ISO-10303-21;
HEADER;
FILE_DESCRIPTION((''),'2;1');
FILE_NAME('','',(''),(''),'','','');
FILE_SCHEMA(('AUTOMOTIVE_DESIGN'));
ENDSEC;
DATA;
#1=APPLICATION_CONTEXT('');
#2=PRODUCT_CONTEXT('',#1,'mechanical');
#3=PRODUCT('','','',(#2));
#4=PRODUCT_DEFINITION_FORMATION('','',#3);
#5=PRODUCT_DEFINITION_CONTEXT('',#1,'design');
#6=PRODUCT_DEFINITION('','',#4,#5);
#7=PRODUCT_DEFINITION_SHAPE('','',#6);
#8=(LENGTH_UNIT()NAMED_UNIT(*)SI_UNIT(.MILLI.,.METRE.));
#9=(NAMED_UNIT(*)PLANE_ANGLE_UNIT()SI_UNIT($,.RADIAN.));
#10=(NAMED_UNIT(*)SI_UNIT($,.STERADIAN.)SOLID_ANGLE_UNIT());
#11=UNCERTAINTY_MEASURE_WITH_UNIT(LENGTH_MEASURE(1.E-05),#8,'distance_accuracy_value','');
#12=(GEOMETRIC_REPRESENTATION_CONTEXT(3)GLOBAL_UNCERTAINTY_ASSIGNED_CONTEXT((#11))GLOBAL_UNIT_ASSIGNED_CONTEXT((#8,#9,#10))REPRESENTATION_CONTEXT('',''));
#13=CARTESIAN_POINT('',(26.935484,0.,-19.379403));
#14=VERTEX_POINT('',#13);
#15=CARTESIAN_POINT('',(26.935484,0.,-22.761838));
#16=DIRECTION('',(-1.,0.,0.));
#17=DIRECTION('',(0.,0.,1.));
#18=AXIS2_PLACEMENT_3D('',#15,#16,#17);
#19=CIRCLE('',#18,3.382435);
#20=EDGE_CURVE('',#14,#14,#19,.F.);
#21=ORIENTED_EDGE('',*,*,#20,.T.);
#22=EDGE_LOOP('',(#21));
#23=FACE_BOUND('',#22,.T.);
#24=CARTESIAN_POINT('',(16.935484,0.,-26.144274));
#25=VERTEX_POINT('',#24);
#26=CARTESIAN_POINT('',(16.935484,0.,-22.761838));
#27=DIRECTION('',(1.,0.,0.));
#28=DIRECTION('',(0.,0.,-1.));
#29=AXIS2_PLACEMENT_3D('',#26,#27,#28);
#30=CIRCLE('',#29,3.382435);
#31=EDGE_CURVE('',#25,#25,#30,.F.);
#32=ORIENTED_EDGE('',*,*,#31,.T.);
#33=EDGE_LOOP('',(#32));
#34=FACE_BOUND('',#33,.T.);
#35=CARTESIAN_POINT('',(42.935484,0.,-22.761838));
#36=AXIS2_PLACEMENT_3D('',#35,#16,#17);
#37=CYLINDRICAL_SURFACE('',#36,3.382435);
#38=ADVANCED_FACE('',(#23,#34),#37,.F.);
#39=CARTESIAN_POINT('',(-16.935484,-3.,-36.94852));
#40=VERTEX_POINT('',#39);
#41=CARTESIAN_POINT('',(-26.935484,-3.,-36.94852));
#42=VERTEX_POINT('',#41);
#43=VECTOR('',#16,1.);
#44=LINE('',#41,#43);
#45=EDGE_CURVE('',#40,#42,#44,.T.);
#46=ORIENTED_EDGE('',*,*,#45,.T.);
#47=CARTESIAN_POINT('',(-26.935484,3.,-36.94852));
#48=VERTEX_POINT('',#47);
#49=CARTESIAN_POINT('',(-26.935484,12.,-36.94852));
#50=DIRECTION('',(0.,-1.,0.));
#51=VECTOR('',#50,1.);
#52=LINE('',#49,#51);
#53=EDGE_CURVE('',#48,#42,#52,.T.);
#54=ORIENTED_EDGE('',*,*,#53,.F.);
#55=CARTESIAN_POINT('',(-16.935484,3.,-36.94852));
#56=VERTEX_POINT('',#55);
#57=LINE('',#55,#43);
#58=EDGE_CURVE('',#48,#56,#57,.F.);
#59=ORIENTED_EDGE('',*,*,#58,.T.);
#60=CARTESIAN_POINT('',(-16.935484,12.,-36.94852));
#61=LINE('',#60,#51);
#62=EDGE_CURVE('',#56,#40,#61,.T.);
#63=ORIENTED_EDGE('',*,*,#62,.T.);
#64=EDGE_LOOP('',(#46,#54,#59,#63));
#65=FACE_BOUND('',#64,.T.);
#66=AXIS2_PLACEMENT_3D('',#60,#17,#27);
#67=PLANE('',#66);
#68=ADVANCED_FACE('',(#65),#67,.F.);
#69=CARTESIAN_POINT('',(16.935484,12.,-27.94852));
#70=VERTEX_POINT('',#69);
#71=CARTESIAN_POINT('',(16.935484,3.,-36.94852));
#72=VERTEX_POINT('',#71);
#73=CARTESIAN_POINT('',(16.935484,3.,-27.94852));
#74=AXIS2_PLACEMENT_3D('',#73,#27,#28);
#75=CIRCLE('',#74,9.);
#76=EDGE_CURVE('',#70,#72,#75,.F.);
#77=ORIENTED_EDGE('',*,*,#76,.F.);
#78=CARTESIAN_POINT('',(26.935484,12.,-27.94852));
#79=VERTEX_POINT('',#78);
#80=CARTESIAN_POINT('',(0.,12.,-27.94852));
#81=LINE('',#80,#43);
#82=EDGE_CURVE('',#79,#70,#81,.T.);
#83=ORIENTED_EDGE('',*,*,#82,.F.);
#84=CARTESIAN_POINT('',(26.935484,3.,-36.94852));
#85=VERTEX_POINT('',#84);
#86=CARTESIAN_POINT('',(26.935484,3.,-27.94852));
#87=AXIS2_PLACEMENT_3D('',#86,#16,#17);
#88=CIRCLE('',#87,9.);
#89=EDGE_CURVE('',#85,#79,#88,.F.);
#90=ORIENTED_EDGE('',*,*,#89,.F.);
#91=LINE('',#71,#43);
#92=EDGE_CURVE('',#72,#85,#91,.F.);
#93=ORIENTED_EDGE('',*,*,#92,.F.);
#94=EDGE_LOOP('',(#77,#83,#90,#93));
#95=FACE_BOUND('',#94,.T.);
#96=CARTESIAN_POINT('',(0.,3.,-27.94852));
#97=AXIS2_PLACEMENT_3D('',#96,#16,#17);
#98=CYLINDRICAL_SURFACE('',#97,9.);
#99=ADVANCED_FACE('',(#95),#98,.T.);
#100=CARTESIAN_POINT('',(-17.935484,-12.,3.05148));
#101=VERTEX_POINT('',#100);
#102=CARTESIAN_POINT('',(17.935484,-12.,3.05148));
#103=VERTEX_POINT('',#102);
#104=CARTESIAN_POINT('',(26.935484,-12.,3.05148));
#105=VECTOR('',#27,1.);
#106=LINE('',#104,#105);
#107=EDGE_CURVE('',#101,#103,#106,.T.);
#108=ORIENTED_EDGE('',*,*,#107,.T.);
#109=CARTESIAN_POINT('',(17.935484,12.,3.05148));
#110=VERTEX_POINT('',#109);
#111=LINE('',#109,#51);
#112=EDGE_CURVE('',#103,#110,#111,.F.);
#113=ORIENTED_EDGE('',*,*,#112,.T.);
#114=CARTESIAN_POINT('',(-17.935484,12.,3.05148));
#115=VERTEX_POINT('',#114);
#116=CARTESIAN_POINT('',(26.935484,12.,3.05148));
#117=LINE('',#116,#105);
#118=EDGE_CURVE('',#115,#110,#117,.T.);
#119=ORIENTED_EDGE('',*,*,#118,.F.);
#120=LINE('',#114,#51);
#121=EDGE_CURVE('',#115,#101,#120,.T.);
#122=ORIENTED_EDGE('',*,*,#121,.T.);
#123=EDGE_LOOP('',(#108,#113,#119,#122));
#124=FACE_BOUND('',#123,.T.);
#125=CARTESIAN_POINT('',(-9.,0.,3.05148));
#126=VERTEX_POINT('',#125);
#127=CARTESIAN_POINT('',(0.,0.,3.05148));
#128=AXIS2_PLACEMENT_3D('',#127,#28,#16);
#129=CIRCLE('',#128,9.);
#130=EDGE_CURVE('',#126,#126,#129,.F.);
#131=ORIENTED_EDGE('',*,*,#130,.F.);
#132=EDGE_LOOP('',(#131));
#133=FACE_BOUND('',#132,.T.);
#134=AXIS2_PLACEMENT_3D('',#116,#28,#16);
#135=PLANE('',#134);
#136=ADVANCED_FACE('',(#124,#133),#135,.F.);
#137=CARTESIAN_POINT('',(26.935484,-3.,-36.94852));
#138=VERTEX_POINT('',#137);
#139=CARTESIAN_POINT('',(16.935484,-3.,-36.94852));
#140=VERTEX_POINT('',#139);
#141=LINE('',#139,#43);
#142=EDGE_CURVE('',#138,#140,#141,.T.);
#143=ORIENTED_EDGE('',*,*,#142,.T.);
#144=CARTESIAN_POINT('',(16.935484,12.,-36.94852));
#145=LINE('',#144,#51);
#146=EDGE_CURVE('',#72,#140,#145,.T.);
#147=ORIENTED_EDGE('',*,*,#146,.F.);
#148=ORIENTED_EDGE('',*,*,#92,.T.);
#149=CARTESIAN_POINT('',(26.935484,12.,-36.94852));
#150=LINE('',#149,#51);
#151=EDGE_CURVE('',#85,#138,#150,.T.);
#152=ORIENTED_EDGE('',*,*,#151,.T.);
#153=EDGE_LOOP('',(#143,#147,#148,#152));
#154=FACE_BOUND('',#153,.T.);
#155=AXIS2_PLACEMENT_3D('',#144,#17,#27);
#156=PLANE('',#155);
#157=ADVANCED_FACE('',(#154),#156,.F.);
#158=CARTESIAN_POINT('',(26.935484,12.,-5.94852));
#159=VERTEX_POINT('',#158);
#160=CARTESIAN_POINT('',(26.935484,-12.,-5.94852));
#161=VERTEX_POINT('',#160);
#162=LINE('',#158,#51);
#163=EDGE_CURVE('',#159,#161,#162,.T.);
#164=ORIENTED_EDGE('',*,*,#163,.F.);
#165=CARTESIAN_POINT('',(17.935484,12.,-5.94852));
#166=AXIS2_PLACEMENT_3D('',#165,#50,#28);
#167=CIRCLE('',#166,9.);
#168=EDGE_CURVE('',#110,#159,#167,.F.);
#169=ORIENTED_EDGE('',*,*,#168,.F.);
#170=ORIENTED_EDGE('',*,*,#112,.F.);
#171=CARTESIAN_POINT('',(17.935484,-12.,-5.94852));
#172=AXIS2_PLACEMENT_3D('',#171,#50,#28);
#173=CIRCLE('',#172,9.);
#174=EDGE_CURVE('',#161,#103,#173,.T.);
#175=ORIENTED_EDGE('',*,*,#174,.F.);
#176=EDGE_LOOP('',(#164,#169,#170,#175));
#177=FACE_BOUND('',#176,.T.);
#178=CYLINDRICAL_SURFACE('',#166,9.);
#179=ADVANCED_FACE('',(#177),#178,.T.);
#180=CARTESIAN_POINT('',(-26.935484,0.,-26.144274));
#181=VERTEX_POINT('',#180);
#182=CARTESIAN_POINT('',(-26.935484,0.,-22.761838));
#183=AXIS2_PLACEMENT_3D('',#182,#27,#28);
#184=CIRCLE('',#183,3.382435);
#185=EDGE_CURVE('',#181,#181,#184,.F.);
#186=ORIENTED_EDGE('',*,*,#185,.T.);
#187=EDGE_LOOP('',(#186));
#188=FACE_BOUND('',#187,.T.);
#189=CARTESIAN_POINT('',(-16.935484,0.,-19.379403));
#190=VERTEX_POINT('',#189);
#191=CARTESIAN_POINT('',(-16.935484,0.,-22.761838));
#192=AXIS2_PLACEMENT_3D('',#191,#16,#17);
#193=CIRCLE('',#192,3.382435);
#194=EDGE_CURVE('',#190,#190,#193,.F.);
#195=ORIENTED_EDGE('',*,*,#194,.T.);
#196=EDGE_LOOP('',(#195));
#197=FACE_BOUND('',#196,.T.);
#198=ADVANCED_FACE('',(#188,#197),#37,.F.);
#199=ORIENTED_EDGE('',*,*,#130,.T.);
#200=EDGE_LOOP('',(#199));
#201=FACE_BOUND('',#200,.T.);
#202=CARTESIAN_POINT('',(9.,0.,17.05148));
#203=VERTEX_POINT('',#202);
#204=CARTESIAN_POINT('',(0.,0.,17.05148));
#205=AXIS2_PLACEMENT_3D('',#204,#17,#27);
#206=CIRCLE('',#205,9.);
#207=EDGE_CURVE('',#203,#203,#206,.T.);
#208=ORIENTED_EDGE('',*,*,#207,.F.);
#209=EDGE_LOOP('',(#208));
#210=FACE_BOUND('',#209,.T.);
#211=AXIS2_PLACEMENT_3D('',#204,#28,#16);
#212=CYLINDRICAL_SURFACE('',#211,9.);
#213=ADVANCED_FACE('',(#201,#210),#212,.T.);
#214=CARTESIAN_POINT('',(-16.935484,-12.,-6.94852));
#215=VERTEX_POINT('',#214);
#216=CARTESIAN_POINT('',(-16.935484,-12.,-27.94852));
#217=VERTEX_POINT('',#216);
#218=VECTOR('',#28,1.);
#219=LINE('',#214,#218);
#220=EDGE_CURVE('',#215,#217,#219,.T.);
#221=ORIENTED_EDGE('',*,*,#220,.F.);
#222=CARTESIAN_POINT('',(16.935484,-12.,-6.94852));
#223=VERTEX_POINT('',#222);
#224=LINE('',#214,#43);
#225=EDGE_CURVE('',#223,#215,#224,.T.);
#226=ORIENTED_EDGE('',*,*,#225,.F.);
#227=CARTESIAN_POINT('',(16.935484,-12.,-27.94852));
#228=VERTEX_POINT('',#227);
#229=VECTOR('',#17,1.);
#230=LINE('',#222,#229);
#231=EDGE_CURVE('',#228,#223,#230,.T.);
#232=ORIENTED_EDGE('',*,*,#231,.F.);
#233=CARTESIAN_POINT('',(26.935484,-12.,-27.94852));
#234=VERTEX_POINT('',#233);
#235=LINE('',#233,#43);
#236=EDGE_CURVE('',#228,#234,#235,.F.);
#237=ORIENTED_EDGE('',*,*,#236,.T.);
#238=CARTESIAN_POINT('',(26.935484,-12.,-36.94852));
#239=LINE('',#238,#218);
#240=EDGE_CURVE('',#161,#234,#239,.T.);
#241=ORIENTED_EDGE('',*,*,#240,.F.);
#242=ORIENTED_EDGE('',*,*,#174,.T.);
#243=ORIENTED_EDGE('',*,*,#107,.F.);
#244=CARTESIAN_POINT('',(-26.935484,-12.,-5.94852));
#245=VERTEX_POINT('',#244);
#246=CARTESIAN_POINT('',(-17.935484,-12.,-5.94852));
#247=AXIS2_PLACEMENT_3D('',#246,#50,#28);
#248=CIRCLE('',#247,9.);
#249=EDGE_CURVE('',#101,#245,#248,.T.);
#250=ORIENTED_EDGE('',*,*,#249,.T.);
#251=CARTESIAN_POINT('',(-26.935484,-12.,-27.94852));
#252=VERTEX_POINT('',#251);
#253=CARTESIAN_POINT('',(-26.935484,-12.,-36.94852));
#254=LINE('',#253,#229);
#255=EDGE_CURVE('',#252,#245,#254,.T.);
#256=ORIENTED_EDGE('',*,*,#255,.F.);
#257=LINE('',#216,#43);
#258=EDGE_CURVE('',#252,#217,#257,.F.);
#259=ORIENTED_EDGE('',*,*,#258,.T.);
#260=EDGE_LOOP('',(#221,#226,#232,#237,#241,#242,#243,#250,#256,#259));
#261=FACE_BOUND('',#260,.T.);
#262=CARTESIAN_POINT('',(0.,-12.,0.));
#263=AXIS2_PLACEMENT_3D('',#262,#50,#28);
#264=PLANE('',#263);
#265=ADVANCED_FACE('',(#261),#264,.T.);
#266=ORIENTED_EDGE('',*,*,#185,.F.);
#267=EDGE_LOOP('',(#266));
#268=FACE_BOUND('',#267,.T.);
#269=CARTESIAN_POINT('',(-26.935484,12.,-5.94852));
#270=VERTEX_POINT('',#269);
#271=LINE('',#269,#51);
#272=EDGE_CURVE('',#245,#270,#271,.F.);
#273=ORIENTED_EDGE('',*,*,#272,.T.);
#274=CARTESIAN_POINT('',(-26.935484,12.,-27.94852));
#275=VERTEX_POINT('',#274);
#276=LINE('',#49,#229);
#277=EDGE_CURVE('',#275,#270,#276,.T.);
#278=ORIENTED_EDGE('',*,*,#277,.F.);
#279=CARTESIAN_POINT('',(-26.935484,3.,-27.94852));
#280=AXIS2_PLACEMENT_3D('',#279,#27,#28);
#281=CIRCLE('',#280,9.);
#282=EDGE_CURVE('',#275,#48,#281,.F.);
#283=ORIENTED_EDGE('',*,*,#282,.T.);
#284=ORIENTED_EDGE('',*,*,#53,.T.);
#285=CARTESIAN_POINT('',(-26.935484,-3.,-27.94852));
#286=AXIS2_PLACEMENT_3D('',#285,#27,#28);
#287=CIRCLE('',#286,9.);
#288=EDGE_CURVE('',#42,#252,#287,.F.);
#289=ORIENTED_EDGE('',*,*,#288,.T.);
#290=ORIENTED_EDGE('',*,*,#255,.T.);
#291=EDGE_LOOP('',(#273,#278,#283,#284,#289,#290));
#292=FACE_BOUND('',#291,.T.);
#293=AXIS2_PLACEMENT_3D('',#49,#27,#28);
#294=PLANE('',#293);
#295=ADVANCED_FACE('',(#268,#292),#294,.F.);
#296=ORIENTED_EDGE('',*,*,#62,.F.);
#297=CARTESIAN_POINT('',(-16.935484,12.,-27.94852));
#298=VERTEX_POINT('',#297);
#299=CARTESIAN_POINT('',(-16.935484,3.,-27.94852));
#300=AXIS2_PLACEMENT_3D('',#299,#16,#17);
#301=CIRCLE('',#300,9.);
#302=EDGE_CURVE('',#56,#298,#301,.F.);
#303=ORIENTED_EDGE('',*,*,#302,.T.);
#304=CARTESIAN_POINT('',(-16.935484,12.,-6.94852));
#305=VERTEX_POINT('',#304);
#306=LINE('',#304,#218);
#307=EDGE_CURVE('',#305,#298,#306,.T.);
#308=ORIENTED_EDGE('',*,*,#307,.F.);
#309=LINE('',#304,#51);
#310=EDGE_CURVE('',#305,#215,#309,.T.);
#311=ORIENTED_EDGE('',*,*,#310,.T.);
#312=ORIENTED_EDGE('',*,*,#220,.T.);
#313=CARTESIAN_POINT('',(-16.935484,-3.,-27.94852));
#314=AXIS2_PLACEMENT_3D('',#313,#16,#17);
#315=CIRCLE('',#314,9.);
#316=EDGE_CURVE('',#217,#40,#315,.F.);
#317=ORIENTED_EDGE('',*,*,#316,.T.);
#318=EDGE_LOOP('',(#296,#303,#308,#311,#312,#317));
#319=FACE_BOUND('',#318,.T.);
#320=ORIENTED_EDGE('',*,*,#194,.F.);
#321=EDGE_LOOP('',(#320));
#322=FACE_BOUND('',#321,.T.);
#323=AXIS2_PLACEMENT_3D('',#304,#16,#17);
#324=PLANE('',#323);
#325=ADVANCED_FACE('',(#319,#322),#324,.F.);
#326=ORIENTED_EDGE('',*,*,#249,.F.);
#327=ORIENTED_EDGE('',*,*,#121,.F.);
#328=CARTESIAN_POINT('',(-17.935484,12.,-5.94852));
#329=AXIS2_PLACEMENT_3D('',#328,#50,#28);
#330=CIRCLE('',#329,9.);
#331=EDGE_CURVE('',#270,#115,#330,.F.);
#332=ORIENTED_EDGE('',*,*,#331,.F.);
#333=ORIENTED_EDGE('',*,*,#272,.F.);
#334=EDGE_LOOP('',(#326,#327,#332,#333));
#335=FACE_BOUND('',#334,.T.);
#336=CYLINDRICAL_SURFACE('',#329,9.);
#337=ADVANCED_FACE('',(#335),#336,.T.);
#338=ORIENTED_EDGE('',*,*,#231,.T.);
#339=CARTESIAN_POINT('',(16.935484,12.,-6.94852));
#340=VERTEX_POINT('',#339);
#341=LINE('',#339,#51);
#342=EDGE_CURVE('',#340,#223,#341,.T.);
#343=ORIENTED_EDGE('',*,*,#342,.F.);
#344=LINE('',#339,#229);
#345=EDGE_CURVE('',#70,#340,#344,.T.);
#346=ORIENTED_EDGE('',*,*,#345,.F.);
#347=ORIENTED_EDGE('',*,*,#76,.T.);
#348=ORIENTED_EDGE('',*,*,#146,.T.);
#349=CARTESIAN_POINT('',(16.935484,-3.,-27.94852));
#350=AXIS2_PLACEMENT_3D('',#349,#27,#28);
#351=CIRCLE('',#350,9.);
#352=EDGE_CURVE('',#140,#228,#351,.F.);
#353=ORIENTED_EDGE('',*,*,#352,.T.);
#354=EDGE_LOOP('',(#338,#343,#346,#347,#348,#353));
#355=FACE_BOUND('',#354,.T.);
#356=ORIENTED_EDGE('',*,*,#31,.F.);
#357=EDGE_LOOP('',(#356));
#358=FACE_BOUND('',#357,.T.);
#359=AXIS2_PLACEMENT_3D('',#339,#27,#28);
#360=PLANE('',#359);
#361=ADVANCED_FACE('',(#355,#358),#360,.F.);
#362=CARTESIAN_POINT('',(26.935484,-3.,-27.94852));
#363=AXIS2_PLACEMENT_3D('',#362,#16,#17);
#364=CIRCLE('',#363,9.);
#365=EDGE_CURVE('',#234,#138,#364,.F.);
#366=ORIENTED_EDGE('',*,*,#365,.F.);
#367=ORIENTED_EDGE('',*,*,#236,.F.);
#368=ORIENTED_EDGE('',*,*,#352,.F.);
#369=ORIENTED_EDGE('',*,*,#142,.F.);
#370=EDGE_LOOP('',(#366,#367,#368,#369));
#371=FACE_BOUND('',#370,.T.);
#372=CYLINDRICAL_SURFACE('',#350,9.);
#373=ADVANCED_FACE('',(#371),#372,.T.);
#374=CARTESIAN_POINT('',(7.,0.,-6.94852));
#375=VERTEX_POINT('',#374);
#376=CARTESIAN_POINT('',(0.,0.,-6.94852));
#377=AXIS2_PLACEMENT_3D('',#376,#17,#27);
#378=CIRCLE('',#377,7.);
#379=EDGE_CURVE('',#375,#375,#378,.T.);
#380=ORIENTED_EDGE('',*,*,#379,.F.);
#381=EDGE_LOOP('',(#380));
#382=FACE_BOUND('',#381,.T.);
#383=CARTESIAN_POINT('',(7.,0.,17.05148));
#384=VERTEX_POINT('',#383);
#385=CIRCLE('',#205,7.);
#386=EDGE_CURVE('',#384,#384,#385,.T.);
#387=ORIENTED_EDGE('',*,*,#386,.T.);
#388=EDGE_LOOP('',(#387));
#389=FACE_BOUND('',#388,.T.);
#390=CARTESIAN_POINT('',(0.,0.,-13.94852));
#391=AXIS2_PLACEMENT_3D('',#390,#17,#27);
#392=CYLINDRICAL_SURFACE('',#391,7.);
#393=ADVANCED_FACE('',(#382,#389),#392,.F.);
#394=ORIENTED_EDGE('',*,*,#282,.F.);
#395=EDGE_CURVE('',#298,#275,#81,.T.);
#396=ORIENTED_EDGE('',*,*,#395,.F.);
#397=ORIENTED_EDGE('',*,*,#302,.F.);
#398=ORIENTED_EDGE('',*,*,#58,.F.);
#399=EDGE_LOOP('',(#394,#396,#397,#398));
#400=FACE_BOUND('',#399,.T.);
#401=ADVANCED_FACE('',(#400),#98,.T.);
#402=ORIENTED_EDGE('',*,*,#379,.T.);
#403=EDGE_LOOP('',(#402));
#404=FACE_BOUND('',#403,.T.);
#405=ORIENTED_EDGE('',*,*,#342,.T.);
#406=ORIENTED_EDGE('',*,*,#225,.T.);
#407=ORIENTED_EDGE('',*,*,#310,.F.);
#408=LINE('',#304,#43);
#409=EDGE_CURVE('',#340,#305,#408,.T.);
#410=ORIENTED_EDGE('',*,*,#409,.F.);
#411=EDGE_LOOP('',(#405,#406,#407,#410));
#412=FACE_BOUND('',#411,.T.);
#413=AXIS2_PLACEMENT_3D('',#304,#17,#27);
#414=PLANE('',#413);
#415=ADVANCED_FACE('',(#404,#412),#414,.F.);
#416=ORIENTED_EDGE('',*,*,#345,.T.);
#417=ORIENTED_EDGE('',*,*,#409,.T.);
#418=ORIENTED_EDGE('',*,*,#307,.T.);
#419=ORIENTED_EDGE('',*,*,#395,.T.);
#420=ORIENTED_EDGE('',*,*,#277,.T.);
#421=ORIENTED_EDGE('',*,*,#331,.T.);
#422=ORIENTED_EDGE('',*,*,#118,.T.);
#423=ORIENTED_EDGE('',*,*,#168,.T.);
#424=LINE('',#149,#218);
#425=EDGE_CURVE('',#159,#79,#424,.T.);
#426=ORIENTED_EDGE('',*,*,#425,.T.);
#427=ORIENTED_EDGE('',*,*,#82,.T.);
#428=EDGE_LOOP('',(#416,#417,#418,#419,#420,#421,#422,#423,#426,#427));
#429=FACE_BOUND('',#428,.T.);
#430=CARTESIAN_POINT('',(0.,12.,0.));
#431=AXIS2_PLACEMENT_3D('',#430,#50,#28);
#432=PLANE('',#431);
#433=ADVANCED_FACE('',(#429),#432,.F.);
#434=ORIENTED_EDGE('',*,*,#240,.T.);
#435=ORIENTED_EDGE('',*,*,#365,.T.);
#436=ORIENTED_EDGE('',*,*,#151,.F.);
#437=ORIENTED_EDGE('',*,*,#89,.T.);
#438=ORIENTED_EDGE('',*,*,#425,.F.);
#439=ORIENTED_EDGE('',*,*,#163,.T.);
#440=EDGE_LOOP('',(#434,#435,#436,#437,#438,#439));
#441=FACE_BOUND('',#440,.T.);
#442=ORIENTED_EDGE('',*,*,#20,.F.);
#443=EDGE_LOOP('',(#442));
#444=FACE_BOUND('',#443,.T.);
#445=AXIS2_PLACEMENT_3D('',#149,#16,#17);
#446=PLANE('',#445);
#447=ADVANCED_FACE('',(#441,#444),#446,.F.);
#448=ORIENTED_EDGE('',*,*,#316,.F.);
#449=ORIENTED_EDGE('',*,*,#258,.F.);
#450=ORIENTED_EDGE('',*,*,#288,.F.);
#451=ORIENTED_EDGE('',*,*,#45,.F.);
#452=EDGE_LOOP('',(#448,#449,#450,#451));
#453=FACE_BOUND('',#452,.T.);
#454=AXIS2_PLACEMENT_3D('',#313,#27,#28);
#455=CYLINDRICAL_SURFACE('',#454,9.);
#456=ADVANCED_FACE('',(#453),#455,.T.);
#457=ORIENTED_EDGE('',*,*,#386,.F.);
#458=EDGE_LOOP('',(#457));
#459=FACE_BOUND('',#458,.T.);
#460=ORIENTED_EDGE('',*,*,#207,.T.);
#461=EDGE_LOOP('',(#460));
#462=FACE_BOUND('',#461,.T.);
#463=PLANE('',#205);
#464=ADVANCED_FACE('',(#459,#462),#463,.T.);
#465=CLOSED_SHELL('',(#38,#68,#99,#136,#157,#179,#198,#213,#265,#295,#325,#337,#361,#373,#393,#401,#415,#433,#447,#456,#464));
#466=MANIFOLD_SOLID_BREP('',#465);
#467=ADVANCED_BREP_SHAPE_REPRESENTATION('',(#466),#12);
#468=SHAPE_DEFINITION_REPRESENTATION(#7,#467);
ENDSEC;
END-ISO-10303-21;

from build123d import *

# Parameters (mm, degrees)
BOSS_EXTRUDE1_DEPTH     = 12
SKETCH2_R               = 7
CUT_EXTRUDE1_DEPTH      = 17
BOSS_EXTRUDE2_START     = 14
SKETCH2_3_R             = 9
SKETCH2_3_R_2           = 7
BOSS_EXTRUDE2_DEPTH     = 14
CUT_EXTRUDE2_DEPTH      = 16
CUT_EXTRUDE2_DEPTH_BACK = 69
SKETCH5_R               = 3.382435313
FILLET2_R               = 9
FILLET3_R               = 9


with BuildPart() as part:
    # Sketch1 → Boss-Extrude1 (new, symmetric)
    with BuildSketch(Plane(origin=(0, 0, 0), x_dir=(1, 0, 0), z_dir=(0, 1, 0))):
        Polygon((-16.935483871, 6.948519541), (16.935483871, 6.948519541), (16.935483871, 36.948519541), (26.935483871, 36.948519541), (26.935483871, -3.051480459), (-26.935483871, -3.051480459), (-26.935483871, 36.948519541), (-16.935483871, 36.948519541), align=None)
    extrude(amount=BOSS_EXTRUDE1_DEPTH, both=True)

    # Sketch2 → Cut-Extrude1 (cut, symmetric)
    with BuildSketch(Plane.XY.offset(3.051480459)):
        Circle(SKETCH2_R)
    extrude(amount=CUT_EXTRUDE1_DEPTH, both=True, mode=Mode.SUBTRACT)

    # Sketch2<3> → Boss-Extrude2 (add)
    with BuildSketch(Plane.XY.offset(3.051480459).offset(BOSS_EXTRUDE2_START)):
        Circle(SKETCH2_3_R)
        Circle(SKETCH2_3_R_2, mode=Mode.SUBTRACT)
    extrude(amount=-BOSS_EXTRUDE2_DEPTH)

    # Sketch5 → Cut-Extrude2 (cut, two sides: drawn at the far end of the back side and taken through both)
    with BuildSketch(Plane(origin=(26.935483871, 0, 0), x_dir=(0, 0, -1), z_dir=(1, 0, 0)).offset(-CUT_EXTRUDE2_DEPTH_BACK)):
        with Locations((22.7618385, 0)):
            Circle(SKETCH5_R)
    extrude(amount=CUT_EXTRUDE2_DEPTH + CUT_EXTRUDE2_DEPTH_BACK, mode=Mode.SUBTRACT)

    # Fillet2
    fillet2_edges = [part.edges().sort_by_distance(p)[0] for p in [
        (-21.935483871, 12, -36.948519541),
        (-21.935483871, -12, -36.948519541),
        (21.935483871, -12, -36.948519541),
        (21.935483871, 12, -36.948519541),
    ]]
    fillet(fillet2_edges, radius=FILLET2_R)

    # Fillet3
    fillet3_edges = [part.edges().sort_by_distance(p)[0] for p in [
        (-26.935483871, 0, 3.051480459),
        (26.935483871, 0, 3.051480459),
    ]]
    fillet(fillet3_edges, radius=FILLET3_R)


solid = part.part
